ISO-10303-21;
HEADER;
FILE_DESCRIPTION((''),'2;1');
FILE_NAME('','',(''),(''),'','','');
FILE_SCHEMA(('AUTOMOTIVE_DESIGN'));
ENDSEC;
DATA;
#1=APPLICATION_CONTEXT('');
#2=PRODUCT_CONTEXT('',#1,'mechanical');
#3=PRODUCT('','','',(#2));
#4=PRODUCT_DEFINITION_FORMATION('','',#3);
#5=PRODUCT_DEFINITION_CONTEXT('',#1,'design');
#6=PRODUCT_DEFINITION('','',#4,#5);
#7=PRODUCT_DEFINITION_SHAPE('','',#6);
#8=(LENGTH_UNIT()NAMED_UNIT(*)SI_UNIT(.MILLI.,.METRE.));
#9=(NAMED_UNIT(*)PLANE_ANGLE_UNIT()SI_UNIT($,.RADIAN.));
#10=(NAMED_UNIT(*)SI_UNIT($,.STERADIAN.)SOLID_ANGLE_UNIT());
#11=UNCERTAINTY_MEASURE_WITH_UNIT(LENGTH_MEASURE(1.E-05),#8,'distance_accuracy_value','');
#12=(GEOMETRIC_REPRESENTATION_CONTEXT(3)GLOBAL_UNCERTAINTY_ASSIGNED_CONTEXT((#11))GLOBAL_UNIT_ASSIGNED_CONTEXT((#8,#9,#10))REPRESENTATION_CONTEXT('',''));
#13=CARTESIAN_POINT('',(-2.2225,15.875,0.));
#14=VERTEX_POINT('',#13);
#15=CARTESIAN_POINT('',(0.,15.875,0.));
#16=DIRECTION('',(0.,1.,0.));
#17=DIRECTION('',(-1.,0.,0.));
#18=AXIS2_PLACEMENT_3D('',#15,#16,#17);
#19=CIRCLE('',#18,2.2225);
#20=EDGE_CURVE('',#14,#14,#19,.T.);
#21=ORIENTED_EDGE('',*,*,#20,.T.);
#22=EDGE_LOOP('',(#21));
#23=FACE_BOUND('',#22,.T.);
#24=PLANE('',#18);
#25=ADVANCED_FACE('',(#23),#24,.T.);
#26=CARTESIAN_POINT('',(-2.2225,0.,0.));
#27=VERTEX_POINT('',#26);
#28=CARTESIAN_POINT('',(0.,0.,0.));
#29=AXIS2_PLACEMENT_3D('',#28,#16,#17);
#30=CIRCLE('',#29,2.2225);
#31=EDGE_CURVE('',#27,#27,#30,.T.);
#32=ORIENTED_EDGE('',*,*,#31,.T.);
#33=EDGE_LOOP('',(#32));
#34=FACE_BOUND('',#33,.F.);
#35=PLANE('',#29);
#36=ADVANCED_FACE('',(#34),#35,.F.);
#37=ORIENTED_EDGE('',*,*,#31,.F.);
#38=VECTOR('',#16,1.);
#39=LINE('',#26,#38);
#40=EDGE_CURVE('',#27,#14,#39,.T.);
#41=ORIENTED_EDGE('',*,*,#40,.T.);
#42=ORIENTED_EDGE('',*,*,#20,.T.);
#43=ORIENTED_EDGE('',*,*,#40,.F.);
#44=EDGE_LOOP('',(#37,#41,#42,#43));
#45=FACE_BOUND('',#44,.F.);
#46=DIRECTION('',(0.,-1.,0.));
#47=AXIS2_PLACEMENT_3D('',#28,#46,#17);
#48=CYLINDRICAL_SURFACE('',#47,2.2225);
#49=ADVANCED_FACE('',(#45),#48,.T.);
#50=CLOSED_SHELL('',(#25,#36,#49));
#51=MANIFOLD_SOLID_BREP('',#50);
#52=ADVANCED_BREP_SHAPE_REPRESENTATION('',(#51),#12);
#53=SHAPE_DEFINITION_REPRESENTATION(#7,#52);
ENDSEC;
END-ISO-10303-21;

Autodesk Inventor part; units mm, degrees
ref_plane "YZ Plane" through (0, 0, 0) normal (1, 0, 0) x (0, 1, 0)
ref_plane "XZ Plane" through (0, 0, 0) normal (0, 1, 0) x (-1, 0, 0)
ref_plane "XY Plane" through (0, 0, 0) normal (0, 0, 1) x (1, 0, 0)
sketch "Sketch1" plane through (0, 0, 0) normal (0, 1, 0) x (-1, 0, 0)
  circle A0 centre (0, 0) radius 2.2225
  dimension "d0" = 4.445
extrude "Extrusion1" add sketch "Sketch1" along normal blind 15.875
properties part number "Button_Pin"
